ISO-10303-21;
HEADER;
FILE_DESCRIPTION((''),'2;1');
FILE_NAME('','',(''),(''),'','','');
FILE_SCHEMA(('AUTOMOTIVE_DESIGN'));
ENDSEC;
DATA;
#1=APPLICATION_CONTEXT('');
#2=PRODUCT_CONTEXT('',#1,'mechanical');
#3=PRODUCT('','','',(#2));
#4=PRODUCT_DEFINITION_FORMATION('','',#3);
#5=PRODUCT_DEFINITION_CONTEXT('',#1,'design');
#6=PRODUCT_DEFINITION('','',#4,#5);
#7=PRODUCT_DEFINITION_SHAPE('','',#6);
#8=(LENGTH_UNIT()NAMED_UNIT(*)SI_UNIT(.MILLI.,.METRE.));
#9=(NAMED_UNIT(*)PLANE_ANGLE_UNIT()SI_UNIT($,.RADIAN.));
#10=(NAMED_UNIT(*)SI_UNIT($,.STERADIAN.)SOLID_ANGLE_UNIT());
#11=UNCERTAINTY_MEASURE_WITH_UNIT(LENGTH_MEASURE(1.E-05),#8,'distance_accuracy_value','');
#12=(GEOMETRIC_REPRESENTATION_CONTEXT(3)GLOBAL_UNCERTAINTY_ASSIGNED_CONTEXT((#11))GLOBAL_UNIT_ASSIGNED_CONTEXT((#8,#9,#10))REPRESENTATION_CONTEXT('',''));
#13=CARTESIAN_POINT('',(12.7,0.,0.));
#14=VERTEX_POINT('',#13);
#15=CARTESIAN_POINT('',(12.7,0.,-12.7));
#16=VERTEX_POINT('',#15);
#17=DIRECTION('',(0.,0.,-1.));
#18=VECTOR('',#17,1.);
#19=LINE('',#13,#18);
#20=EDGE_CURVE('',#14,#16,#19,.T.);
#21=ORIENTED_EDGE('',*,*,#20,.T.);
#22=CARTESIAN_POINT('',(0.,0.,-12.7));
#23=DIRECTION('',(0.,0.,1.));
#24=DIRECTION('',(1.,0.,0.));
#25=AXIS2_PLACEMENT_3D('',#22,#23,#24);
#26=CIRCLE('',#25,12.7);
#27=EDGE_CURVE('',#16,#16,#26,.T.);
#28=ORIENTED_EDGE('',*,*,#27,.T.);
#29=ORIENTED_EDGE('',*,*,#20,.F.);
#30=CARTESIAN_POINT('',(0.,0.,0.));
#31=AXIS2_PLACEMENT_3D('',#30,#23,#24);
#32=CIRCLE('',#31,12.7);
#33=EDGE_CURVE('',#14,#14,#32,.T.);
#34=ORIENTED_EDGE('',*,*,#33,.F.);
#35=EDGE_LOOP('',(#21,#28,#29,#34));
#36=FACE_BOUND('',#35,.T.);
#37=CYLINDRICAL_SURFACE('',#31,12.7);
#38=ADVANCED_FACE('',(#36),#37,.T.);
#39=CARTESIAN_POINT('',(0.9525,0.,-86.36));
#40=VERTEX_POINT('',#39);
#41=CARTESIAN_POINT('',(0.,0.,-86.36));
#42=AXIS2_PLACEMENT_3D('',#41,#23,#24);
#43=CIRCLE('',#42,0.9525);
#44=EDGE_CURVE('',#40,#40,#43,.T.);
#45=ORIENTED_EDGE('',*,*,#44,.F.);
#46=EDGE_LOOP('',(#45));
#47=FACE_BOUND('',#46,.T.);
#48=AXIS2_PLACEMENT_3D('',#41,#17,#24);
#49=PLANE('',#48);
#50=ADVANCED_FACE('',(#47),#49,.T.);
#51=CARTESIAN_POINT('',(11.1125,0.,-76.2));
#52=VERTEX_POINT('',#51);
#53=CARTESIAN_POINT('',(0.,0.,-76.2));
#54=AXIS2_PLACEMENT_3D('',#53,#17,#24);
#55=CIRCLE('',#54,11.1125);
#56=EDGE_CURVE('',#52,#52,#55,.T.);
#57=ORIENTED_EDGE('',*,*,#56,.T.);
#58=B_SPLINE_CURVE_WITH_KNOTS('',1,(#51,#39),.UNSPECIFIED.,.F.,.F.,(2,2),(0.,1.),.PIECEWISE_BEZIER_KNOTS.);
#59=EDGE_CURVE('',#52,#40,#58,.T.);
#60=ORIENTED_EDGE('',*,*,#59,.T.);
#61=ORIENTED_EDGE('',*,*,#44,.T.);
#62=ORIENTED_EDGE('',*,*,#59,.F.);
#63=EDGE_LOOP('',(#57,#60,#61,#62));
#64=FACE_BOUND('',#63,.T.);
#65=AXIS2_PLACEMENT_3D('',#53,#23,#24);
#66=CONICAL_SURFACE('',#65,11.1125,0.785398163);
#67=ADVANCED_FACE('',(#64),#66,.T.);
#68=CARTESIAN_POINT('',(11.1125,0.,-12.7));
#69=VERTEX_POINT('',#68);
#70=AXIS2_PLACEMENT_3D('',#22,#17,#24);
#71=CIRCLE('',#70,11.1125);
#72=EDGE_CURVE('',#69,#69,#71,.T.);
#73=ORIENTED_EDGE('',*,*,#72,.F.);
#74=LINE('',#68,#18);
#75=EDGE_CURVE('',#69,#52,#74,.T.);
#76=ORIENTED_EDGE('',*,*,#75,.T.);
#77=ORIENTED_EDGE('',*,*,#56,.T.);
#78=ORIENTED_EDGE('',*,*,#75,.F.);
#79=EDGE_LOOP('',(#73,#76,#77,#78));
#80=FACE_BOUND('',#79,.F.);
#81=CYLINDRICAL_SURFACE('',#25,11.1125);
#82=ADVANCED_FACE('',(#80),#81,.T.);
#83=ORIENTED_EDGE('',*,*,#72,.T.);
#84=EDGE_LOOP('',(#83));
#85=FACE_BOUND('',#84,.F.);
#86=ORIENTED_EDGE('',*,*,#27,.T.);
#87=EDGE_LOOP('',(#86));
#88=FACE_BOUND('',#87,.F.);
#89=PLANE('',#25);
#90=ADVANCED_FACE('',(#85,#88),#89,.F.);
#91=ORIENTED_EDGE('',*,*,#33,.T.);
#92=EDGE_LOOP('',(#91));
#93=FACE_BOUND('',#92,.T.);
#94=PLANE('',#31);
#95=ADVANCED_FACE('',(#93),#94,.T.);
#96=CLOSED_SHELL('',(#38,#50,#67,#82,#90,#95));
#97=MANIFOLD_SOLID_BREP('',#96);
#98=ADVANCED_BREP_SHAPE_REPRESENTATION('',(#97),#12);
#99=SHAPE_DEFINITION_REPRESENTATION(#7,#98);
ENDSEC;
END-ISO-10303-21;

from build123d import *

# Parameters (mm, degrees)
F0_R     = 12.7
F1_DEPTH = 12.7
F2_R     = 11.1125
F3_DEPTH = 63.5
F4_R     = 11.1125
F5_DEPTH = 10.16
F5_TAPER = 45


with BuildPart() as f1:
    # F0 (on Top) → F1 (new body)
    with BuildSketch(Plane.XY):
        Circle(F0_R)
    extrude(amount=-F1_DEPTH)

    # F2 (on face) → F3 (join)
    with BuildSketch(Plane(origin=(0, 0, -12.7), x_dir=(1, 0, 0), z_dir=(0, 0, -1))):
        Circle(F2_R)
    extrude(amount=F3_DEPTH)

    # F4 (on face) → F5 (join)
    with BuildSketch(Plane(origin=(0, 0, -76.2), x_dir=(1, 0, 0), z_dir=(0, 0, -1))):
        Circle(F4_R)
    extrude(amount=F5_DEPTH, taper=F5_TAPER)


solid = f1.part
